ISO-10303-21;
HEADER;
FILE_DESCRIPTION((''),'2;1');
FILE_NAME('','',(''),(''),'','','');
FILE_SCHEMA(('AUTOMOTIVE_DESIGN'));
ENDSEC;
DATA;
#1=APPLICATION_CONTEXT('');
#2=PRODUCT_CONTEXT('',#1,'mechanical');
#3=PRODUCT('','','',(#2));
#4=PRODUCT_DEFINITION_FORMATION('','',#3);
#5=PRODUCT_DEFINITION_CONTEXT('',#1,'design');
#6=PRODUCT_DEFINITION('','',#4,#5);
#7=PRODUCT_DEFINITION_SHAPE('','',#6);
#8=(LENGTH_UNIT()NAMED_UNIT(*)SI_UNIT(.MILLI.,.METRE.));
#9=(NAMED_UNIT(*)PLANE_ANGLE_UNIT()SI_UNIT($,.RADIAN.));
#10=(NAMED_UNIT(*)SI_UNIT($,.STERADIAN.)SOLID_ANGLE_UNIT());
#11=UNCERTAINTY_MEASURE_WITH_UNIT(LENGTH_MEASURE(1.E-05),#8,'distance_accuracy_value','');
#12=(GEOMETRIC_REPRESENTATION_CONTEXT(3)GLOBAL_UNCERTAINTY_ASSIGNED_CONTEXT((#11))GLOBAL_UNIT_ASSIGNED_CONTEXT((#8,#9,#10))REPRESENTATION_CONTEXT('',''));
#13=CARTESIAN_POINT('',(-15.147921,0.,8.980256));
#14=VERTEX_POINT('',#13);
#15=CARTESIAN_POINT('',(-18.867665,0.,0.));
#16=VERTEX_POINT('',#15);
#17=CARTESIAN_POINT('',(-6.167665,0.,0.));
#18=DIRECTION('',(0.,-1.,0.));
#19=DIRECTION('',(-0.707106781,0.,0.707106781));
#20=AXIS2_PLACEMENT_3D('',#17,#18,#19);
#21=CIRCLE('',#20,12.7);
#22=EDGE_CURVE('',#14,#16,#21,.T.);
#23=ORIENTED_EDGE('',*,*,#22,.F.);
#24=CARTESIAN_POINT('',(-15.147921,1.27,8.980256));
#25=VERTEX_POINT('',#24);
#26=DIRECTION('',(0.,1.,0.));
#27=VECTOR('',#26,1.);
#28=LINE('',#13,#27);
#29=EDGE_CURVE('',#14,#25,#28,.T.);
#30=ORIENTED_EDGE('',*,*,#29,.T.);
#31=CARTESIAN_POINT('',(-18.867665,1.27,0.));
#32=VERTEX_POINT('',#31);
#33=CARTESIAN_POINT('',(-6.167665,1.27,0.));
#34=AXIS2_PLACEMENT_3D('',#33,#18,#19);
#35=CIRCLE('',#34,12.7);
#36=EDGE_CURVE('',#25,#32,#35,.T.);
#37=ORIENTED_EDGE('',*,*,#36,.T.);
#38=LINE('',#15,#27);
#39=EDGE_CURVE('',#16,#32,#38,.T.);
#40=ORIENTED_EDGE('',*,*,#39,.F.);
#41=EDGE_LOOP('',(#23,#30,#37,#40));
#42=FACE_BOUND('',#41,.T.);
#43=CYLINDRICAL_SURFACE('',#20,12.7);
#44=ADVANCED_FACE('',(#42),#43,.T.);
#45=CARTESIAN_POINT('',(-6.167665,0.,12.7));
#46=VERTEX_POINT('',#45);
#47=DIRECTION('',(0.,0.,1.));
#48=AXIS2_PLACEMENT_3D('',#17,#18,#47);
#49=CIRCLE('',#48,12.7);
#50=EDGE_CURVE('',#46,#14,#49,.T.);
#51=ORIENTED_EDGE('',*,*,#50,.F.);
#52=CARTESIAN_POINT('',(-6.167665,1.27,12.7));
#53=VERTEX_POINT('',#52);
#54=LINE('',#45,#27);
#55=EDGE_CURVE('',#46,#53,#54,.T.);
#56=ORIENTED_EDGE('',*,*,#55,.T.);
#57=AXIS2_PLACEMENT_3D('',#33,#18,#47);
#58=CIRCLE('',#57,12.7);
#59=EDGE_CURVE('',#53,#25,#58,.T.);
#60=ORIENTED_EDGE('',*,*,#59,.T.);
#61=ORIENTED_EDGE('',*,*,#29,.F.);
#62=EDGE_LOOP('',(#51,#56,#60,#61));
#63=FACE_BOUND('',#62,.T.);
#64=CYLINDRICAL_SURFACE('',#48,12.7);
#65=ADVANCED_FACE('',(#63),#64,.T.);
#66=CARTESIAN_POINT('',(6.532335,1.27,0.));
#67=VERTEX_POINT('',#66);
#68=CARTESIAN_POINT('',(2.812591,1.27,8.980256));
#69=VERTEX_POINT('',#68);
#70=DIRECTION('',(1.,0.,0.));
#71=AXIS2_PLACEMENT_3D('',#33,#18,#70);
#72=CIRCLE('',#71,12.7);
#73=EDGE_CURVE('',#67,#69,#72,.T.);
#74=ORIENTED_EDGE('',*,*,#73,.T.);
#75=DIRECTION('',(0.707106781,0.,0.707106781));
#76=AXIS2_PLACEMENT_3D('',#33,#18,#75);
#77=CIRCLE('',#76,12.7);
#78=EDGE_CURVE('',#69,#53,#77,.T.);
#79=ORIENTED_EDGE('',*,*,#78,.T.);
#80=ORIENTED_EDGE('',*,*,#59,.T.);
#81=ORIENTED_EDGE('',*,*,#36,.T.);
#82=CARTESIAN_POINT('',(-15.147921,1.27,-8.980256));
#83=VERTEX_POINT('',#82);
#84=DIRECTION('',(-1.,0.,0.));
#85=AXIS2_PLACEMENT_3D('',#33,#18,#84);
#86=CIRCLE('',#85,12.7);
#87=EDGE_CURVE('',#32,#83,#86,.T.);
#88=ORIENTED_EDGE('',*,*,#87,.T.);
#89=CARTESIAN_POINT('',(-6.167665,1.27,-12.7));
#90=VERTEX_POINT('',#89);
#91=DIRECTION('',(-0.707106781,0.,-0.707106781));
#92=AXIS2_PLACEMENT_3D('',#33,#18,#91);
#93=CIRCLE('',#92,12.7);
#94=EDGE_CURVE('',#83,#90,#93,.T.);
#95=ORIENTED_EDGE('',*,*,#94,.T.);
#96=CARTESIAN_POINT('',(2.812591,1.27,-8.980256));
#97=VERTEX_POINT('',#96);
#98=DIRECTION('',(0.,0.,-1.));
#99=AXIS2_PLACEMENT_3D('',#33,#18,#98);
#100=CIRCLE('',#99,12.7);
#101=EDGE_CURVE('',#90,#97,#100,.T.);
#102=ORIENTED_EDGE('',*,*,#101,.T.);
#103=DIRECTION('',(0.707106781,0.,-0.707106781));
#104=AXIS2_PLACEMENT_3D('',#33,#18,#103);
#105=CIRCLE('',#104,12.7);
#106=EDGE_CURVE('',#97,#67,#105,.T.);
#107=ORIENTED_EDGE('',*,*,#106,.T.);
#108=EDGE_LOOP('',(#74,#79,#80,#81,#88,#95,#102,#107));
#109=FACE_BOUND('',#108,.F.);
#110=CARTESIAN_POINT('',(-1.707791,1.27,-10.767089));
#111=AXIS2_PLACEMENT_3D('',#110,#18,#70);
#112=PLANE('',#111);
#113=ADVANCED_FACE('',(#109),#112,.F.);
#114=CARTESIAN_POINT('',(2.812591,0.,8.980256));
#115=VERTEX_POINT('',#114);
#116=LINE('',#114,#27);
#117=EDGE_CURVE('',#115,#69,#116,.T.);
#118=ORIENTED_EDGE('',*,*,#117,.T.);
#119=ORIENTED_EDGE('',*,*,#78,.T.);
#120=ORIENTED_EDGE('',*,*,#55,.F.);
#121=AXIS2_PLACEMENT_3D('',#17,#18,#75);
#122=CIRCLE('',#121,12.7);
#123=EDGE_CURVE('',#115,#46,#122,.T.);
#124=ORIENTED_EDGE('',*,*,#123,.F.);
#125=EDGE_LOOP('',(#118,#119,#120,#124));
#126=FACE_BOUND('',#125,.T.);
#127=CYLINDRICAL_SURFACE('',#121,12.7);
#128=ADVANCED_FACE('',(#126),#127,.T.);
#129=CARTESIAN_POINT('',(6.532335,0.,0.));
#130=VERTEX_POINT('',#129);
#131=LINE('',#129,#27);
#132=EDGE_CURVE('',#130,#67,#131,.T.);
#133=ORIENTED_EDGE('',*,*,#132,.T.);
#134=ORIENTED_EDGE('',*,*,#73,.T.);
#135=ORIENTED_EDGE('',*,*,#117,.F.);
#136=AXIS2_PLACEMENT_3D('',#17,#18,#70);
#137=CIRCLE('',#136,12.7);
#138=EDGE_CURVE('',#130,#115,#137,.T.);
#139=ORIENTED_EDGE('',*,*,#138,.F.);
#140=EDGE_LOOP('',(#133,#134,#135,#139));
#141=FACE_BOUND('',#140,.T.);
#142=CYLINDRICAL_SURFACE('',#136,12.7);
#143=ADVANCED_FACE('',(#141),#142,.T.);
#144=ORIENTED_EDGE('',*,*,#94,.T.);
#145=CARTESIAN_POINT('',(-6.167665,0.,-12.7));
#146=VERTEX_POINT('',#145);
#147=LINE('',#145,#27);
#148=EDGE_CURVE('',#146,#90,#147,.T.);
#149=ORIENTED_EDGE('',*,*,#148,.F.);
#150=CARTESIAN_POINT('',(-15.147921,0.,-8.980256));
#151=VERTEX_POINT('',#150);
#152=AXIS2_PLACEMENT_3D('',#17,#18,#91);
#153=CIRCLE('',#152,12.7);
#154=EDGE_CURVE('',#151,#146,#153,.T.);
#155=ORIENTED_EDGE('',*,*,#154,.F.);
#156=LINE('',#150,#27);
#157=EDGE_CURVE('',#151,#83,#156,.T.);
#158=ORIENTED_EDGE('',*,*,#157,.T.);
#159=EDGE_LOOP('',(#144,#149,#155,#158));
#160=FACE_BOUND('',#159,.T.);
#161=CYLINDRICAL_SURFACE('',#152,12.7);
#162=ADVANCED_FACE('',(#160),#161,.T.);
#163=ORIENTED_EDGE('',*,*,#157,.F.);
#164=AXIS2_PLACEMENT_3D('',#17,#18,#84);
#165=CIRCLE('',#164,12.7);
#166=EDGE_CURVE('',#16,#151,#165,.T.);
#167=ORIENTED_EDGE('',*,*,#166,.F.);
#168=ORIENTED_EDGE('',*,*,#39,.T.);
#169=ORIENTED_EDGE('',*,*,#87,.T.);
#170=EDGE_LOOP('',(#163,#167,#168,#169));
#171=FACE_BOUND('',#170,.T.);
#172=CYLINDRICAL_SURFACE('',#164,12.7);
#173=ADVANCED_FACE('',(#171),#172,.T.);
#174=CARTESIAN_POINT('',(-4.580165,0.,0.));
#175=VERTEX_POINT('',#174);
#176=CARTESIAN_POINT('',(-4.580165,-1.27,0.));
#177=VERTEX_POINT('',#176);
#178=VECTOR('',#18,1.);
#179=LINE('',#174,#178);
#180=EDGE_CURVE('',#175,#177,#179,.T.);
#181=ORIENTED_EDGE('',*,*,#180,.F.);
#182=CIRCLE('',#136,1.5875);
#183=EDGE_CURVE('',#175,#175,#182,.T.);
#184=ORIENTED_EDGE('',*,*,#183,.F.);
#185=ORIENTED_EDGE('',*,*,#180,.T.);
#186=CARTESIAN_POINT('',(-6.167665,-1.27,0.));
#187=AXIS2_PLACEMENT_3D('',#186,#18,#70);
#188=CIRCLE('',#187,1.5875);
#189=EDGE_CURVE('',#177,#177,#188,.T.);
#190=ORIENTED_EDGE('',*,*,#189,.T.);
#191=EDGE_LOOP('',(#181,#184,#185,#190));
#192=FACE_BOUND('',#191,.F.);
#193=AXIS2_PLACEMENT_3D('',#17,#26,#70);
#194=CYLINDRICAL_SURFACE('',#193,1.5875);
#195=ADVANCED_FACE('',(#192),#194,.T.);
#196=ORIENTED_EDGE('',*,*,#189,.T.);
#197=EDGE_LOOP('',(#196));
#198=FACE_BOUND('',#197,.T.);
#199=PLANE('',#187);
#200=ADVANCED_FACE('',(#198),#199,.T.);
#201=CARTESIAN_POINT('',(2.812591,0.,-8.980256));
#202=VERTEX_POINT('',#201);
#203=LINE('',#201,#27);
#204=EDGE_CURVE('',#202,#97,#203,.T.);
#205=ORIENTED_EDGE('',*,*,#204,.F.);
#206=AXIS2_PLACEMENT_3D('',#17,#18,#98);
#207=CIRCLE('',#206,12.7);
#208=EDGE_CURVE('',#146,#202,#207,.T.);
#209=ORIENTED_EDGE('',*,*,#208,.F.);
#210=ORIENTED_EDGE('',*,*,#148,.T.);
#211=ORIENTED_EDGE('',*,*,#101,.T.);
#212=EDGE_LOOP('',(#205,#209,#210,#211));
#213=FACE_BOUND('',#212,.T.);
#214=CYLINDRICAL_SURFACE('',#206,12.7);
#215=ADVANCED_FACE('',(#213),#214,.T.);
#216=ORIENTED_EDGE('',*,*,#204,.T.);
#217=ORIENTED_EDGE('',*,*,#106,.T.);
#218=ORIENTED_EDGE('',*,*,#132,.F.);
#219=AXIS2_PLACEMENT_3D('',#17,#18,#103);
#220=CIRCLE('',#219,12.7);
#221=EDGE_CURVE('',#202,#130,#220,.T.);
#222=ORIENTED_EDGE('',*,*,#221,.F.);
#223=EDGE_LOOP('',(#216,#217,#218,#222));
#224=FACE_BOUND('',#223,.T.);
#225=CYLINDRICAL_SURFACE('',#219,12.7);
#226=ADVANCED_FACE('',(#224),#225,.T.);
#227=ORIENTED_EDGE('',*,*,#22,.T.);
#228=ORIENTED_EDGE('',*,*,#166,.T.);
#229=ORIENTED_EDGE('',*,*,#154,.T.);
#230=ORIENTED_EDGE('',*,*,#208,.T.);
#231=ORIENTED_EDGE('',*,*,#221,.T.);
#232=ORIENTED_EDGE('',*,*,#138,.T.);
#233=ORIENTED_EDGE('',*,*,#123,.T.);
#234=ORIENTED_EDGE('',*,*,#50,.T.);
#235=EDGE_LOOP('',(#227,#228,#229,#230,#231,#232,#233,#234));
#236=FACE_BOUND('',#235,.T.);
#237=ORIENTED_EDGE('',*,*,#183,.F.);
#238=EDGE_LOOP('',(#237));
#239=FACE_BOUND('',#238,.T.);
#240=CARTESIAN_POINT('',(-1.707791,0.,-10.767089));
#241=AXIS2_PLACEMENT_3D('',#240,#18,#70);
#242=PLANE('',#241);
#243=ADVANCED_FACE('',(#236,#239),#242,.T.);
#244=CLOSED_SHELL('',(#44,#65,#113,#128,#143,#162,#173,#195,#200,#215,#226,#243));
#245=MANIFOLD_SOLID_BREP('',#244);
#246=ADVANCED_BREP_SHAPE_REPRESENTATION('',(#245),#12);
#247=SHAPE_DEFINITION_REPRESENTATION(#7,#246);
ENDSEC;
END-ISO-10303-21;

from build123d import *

# Parameters (mm, degrees)
F1_DEPTH = 1.27
F2_R     = 1.5875
F3_DEPTH = 1.27


with BuildPart() as f1:
    # F0 (on Front) → F1 (new body)
    with BuildSketch(Plane.XZ):
        with BuildLine():
            ThreePointArc((-6.167664918, -12.7), (-1.307585327, -11.7332700629), (2.8125912031, -8.9802561211))
            Line((2.8125912031, -8.9802561211), (1.914565591, -8.082230509))
            ThreePointArc((1.914565591, -8.082230509), (-1.7935932861, -10.5599430566), (-6.167664918, -11.43))
            Line((-6.167664918, -11.43), (-6.167664918, -12.7))
        make_face()
        with BuildLine():
            ThreePointArc((-15.1479210391, -8.9802561211), (-11.027744509, -11.7332700629), (-6.167664918, -12.7))
            Line((-6.167664918, -12.7), (-6.167664918, -11.43))
            ThreePointArc((-6.167664918, -11.43), (-10.5417365499, -10.5599430566), (-14.249895427, -8.082230509))
            Line((-14.249895427, -8.082230509), (-15.1479210391, -8.9802561211))
        make_face()
        with BuildLine():
            Line((5.262335082, 0), (6.532335082, 0))
            ThreePointArc((6.532335082, 0), (5.5656051449, 4.860079591), (2.8125912031, 8.9802561211))
            Line((2.8125912031, 8.9802561211), (1.914565591, 8.082230509))
            ThreePointArc((1.914565591, 8.082230509), (4.3922781386, 4.3740716319), (5.262335082, 0))
        make_face()
        with BuildLine():
            ThreePointArc((2.8125912031, -8.9802561211), (5.5656051449, -4.860079591), (6.532335082, 0))
            Line((6.532335082, 0), (5.262335082, 0))
            ThreePointArc((5.262335082, 0), (4.3922781386, -4.3740716319), (1.914565591, -8.082230509))
            Line((1.914565591, -8.082230509), (2.8125912031, -8.9802561211))
        make_face()
        with BuildLine():
            Line((-6.167664918, 11.43), (-6.167664918, 12.7))
            ThreePointArc((-6.167664918, 12.7), (-11.027744509, 11.7332700629), (-15.1479210391, 8.9802561211))
            Line((-15.1479210391, 8.9802561211), (-14.249895427, 8.082230509))
            ThreePointArc((-14.249895427, 8.082230509), (-10.5417365499, 10.5599430566), (-6.167664918, 11.43))
        make_face()
        with BuildLine():
            Line((1.914565591, 8.082230509), (2.8125912031, 8.9802561211))
            ThreePointArc((2.8125912031, 8.9802561211), (-1.307585327, 11.7332700629), (-6.167664918, 12.7))
            Line((-6.167664918, 12.7), (-6.167664918, 11.43))
            ThreePointArc((-6.167664918, 11.43), (-1.7935932861, 10.5599430566), (1.914565591, 8.082230509))
        make_face()
        with BuildLine():
            ThreePointArc((-18.867664918, 0), (-17.9009349809, -4.860079591), (-15.1479210391, -8.9802561211))
            Line((-15.1479210391, -8.9802561211), (-14.249895427, -8.082230509))
            ThreePointArc((-14.249895427, -8.082230509), (-16.7276079746, -4.3740716319), (-17.597664918, 0))
            Line((-17.597664918, 0), (-18.867664918, 0))
        make_face()
        with BuildLine():
            Line((-14.249895427, 8.082230509), (-15.1479210391, 8.9802561211))
            ThreePointArc((-15.1479210391, 8.9802561211), (-17.9009349809, 4.860079591), (-18.867664918, 0))
            Line((-18.867664918, 0), (-17.597664918, 0))
            ThreePointArc((-17.597664918, 0), (-16.7276079746, 4.3740716319), (-14.249895427, 8.082230509))
        make_face()
        with BuildLine():
            Line((-6.167664918, 0), (1.914565591, 8.082230509))
            ThreePointArc((1.914565591, 8.082230509), (-1.7935932861, 10.5599430566), (-6.167664918, 11.43))
            Line((-6.167664918, 11.43), (-6.167664918, 0))
        make_face()
        with BuildLine():
            Line((-6.167664918, 0), (5.262335082, 0))
            ThreePointArc((5.262335082, 0), (4.3922781386, 4.3740716319), (1.914565591, 8.082230509))
            Line((1.914565591, 8.082230509), (-6.167664918, 0))
        make_face()
        with BuildLine():
            ThreePointArc((1.914565591, -8.082230509), (4.3922781386, -4.3740716319), (5.262335082, 0))
            Line((5.262335082, 0), (-6.167664918, 0))
            Line((-6.167664918, 0), (1.914565591, -8.082230509))
        make_face()
        with BuildLine():
            ThreePointArc((-6.167664918, -11.43), (-1.7935932861, -10.5599430566), (1.914565591, -8.082230509))
            Line((1.914565591, -8.082230509), (-6.167664918, 0))
            Line((-6.167664918, 0), (-6.167664918, -11.43))
        make_face()
        with BuildLine():
            Line((-6.167664918, -11.43), (-6.167664918, 0))
            Line((-6.167664918, 0), (-14.249895427, -8.082230509))
            ThreePointArc((-14.249895427, -8.082230509), (-10.5417365499, -10.5599430566), (-6.167664918, -11.43))
        make_face()
        with BuildLine():
            Line((-14.249895427, 8.082230509), (-6.167664918, 0))
            Line((-6.167664918, 0), (-6.167664918, 11.43))
            ThreePointArc((-6.167664918, 11.43), (-10.5417365499, 10.5599430566), (-14.249895427, 8.082230509))
        make_face()
        with BuildLine():
            Line((-17.597664918, 0), (-6.167664918, 0))
            Line((-6.167664918, 0), (-14.249895427, 8.082230509))
            ThreePointArc((-14.249895427, 8.082230509), (-16.7276079746, 4.3740716319), (-17.597664918, 0))
        make_face()
        with BuildLine():
            Line((-14.249895427, -8.082230509), (-6.167664918, 0))
            Line((-6.167664918, 0), (-17.597664918, 0))
            ThreePointArc((-17.597664918, 0), (-16.7276079746, -4.3740716319), (-14.249895427, -8.082230509))
        make_face()
    extrude(amount=-F1_DEPTH)

    # F2 (on Front) → F3 (join)
    with BuildSketch(Plane.XZ):
        with Locations((-6.167664918, 0)):
            Circle(F2_R)
    extrude(amount=F3_DEPTH)


solid = f1.part
